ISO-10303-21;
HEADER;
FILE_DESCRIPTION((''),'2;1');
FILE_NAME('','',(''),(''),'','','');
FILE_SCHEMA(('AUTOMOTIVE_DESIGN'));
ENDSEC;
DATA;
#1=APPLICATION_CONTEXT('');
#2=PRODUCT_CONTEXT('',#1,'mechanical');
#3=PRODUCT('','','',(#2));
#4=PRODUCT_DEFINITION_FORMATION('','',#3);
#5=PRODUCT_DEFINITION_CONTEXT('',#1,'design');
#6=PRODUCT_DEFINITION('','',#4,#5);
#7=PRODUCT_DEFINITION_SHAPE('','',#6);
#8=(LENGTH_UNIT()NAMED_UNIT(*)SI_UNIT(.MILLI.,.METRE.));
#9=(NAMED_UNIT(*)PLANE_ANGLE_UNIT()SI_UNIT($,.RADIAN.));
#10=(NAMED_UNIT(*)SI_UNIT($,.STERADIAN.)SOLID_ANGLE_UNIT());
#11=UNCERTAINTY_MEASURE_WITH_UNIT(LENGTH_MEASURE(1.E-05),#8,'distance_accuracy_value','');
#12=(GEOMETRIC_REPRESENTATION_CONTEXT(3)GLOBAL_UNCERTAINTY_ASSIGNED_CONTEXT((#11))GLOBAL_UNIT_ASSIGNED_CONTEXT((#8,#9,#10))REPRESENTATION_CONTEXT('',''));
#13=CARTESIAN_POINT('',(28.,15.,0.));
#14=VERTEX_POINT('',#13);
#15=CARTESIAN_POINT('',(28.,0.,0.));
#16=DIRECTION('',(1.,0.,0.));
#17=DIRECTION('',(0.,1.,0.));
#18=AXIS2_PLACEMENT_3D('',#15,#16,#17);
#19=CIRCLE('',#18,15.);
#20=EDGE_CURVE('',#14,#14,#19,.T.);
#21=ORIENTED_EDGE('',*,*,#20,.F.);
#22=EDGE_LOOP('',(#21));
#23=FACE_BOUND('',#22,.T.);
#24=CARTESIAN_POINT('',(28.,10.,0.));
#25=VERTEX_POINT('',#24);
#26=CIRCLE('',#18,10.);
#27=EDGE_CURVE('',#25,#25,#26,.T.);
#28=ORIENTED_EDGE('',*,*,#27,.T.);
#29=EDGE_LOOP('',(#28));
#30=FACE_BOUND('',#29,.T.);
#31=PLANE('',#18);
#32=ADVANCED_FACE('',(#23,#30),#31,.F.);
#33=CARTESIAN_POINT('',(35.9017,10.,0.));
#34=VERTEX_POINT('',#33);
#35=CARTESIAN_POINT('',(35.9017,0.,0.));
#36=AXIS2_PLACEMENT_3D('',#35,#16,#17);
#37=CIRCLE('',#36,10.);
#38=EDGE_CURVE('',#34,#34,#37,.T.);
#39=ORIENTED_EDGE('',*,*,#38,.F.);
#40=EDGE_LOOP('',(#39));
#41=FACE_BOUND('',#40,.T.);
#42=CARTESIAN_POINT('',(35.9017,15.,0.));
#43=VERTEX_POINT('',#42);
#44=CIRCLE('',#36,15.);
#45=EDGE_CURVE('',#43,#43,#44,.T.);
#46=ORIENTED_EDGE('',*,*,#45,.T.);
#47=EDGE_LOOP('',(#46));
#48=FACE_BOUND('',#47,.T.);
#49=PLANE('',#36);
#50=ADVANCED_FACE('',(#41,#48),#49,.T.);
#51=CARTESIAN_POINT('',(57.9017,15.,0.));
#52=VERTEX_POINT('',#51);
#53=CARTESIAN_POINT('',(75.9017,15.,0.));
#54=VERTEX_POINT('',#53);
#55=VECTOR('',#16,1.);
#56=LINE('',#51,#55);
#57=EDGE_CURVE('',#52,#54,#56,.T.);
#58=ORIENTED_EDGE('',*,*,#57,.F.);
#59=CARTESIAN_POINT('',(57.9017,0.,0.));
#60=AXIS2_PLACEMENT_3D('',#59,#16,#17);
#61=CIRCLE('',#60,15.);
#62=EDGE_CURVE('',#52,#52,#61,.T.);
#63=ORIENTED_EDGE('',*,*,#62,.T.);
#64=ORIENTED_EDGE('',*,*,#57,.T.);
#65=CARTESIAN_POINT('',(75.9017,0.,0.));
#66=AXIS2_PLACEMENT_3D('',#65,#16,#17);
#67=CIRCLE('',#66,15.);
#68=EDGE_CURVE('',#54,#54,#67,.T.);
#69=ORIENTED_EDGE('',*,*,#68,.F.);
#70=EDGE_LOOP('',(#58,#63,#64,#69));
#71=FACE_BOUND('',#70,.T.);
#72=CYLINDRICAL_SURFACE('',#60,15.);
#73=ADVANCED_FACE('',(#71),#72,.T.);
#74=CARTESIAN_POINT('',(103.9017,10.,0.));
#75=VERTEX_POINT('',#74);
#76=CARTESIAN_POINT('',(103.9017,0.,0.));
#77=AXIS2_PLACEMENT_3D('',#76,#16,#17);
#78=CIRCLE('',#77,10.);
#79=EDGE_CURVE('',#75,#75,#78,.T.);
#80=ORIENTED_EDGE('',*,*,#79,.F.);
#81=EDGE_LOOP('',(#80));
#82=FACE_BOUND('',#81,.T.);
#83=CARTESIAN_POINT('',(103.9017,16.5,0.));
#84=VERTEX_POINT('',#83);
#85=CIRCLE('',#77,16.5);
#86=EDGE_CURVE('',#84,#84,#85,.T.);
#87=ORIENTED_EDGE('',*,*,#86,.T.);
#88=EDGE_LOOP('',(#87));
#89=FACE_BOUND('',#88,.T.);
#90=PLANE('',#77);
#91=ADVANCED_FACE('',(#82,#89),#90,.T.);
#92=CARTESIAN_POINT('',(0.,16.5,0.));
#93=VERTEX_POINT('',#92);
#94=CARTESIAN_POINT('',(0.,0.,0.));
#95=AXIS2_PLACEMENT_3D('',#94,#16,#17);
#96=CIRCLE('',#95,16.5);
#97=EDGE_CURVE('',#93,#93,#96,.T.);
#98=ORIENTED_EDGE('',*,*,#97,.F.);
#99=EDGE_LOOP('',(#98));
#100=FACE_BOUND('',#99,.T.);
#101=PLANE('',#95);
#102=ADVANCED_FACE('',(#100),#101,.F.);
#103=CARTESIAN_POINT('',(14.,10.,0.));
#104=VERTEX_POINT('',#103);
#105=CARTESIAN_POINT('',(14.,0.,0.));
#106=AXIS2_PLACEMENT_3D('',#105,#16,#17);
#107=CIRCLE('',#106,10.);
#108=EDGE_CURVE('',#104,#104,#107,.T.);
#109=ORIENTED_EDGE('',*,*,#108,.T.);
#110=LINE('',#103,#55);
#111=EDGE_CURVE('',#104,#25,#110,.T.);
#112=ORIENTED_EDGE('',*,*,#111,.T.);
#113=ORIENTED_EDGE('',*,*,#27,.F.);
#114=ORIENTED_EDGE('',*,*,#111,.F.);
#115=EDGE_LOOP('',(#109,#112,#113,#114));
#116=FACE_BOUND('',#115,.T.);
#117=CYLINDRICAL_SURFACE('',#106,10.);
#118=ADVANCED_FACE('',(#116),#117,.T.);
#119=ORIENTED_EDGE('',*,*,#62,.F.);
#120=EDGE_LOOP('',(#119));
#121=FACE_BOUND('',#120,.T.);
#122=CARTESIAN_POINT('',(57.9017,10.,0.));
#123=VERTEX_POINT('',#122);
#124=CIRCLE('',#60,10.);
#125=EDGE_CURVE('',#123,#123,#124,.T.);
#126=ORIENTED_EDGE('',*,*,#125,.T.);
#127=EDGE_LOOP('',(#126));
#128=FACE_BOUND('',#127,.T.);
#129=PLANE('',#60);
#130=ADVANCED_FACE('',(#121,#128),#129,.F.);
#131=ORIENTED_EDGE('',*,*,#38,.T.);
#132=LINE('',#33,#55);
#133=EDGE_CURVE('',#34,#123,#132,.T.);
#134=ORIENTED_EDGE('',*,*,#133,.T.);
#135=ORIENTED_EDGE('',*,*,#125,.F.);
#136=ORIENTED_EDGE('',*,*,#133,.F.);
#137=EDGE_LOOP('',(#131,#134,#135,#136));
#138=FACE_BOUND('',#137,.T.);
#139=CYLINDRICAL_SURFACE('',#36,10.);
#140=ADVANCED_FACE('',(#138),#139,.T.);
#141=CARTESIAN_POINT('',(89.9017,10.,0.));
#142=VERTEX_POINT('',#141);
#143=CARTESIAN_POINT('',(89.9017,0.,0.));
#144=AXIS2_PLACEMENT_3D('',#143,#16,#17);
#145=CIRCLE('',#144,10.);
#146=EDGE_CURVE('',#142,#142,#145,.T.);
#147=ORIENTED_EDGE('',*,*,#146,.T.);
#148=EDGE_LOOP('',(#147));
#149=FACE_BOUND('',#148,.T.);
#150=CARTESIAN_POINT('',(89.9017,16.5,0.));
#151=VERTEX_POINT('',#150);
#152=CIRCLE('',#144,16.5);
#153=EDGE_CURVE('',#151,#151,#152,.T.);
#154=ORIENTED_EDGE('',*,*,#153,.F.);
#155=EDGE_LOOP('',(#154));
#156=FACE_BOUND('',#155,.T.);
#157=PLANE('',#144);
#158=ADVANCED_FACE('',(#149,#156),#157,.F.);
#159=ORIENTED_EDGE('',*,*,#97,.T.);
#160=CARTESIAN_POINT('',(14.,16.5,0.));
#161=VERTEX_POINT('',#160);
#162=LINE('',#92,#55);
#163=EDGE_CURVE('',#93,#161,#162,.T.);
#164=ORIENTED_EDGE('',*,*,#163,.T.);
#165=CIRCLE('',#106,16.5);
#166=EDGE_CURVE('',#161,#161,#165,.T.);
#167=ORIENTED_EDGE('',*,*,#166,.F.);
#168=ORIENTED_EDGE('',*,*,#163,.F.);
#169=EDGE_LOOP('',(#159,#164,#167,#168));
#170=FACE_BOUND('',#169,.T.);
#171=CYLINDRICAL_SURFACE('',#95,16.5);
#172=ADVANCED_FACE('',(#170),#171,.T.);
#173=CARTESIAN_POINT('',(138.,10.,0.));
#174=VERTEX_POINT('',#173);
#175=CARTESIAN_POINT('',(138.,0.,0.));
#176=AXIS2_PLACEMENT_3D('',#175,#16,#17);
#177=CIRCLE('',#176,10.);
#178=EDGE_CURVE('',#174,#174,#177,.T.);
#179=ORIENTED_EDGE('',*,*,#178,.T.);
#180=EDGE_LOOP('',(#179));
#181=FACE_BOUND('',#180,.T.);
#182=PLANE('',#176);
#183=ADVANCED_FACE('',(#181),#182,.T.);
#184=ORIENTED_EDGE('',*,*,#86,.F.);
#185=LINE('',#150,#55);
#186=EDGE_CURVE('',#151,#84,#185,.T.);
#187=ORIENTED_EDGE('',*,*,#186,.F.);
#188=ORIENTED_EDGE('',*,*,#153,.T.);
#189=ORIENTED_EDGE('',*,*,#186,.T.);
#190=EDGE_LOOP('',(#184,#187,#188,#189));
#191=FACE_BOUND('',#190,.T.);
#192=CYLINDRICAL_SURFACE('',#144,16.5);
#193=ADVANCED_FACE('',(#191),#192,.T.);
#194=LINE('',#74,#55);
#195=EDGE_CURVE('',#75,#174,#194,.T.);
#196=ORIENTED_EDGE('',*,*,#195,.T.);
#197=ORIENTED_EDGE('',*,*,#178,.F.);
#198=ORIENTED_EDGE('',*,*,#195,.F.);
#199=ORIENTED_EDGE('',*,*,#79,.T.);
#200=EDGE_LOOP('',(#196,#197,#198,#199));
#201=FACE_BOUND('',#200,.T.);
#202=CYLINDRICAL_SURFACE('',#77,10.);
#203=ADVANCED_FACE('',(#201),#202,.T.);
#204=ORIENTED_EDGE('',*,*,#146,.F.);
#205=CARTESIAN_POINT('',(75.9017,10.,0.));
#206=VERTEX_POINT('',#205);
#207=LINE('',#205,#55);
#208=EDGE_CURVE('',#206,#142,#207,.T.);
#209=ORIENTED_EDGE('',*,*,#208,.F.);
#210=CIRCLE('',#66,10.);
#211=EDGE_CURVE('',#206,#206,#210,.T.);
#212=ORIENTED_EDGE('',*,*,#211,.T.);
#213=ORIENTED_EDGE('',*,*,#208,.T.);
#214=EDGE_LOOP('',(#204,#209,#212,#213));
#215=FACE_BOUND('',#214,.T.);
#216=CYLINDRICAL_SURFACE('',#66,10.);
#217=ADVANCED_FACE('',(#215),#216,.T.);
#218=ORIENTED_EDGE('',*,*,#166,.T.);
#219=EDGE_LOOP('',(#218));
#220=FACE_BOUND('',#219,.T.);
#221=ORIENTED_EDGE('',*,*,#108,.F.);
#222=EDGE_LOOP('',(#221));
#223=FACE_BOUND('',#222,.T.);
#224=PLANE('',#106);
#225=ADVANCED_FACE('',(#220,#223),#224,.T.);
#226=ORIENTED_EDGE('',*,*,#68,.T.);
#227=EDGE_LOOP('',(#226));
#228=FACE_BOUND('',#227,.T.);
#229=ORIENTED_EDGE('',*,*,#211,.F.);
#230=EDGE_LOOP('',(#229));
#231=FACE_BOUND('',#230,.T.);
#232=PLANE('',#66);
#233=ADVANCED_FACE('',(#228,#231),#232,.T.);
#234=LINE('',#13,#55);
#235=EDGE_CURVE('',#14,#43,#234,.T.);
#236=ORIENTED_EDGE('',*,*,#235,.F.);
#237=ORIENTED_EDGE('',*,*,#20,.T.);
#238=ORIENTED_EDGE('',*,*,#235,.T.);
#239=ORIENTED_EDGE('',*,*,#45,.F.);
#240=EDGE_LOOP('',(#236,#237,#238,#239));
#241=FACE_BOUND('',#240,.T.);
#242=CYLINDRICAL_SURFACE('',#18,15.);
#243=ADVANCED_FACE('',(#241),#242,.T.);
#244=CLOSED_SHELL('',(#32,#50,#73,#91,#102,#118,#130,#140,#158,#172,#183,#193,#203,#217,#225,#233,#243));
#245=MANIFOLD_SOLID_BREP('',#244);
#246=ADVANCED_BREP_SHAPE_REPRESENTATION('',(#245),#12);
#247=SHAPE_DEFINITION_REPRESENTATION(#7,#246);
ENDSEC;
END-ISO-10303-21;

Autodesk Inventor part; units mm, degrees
ref_plane "YZ Plane" through (0, 0, 0) normal (1, 0, 0) x (0, 1, 0)
ref_plane "XZ Plane" through (0, 0, 0) normal (0, 1, 0) x (-1, 0, 0)
ref_plane "XY Plane" through (0, 0, 0) normal (0, 0, 1) x (1, 0, 0)
sketch "Skizze1" plane through (0, 0, 0) normal (0, 0, 1) x (1, 0, 0)
  line L0 (0, 0) -> (138, 0)
  line L1 (0, 0) -> (0, 16.5)
  line L2 (0, 16.5) -> (14, 16.5)
  line L3 (14, 16.5) -> (14, 10)
  line L4 (14, 10) -> (28, 10)
  line L5 (28, 10) -> (28, 15)
  line L6 (28, 15) -> (35.9017, 15)
  line L7 (35.9017, 15) -> (35.9017, 10)
  line L8 (35.9017, 10) -> (57.9017, 10)
  line L9 (57.9017, 10) -> (57.9017, 15)
  line L10 (57.9017, 15) -> (75.9017, 15)
  line L11 (75.9017, 15) -> (75.9017, 10)
  line L12 (75.9017, 10) -> (89.9017, 10)
  line L13 (89.9017, 10) -> (89.9017, 16.5)
  line L14 (89.9017, 16.5) -> (103.9017, 16.5)
  line L15 (103.9017, 16.5) -> (103.9017, 10)
  line L16 (103.9017, 10) -> (138, 10)
  line L17 (138, 10) -> (138, 0)
  point P0 (28, 12.5)
  point P1 (103.9017, 13.25)
  point P2 (89.9017, 13.25)
  dimension "d0" = 138
  dimension "d1" = 14
  dimension "d2" = 14
  dimension "d3" = 7.9017
  dimension "d4" = 22
  dimension "d5" = 14
  dimension "d6" = 14
  dimension "d7" = 18
  dimension "d8" = 33
  dimension "d9" = 20
  dimension "d10" = 30
revolve "Umdrehung1" add sketch "Skizze1" angle 360 about axis through (0, 0, 0) along (1, 0, 0)
properties part number "lehrerfreund" material "Stahl, galvanisiert"
